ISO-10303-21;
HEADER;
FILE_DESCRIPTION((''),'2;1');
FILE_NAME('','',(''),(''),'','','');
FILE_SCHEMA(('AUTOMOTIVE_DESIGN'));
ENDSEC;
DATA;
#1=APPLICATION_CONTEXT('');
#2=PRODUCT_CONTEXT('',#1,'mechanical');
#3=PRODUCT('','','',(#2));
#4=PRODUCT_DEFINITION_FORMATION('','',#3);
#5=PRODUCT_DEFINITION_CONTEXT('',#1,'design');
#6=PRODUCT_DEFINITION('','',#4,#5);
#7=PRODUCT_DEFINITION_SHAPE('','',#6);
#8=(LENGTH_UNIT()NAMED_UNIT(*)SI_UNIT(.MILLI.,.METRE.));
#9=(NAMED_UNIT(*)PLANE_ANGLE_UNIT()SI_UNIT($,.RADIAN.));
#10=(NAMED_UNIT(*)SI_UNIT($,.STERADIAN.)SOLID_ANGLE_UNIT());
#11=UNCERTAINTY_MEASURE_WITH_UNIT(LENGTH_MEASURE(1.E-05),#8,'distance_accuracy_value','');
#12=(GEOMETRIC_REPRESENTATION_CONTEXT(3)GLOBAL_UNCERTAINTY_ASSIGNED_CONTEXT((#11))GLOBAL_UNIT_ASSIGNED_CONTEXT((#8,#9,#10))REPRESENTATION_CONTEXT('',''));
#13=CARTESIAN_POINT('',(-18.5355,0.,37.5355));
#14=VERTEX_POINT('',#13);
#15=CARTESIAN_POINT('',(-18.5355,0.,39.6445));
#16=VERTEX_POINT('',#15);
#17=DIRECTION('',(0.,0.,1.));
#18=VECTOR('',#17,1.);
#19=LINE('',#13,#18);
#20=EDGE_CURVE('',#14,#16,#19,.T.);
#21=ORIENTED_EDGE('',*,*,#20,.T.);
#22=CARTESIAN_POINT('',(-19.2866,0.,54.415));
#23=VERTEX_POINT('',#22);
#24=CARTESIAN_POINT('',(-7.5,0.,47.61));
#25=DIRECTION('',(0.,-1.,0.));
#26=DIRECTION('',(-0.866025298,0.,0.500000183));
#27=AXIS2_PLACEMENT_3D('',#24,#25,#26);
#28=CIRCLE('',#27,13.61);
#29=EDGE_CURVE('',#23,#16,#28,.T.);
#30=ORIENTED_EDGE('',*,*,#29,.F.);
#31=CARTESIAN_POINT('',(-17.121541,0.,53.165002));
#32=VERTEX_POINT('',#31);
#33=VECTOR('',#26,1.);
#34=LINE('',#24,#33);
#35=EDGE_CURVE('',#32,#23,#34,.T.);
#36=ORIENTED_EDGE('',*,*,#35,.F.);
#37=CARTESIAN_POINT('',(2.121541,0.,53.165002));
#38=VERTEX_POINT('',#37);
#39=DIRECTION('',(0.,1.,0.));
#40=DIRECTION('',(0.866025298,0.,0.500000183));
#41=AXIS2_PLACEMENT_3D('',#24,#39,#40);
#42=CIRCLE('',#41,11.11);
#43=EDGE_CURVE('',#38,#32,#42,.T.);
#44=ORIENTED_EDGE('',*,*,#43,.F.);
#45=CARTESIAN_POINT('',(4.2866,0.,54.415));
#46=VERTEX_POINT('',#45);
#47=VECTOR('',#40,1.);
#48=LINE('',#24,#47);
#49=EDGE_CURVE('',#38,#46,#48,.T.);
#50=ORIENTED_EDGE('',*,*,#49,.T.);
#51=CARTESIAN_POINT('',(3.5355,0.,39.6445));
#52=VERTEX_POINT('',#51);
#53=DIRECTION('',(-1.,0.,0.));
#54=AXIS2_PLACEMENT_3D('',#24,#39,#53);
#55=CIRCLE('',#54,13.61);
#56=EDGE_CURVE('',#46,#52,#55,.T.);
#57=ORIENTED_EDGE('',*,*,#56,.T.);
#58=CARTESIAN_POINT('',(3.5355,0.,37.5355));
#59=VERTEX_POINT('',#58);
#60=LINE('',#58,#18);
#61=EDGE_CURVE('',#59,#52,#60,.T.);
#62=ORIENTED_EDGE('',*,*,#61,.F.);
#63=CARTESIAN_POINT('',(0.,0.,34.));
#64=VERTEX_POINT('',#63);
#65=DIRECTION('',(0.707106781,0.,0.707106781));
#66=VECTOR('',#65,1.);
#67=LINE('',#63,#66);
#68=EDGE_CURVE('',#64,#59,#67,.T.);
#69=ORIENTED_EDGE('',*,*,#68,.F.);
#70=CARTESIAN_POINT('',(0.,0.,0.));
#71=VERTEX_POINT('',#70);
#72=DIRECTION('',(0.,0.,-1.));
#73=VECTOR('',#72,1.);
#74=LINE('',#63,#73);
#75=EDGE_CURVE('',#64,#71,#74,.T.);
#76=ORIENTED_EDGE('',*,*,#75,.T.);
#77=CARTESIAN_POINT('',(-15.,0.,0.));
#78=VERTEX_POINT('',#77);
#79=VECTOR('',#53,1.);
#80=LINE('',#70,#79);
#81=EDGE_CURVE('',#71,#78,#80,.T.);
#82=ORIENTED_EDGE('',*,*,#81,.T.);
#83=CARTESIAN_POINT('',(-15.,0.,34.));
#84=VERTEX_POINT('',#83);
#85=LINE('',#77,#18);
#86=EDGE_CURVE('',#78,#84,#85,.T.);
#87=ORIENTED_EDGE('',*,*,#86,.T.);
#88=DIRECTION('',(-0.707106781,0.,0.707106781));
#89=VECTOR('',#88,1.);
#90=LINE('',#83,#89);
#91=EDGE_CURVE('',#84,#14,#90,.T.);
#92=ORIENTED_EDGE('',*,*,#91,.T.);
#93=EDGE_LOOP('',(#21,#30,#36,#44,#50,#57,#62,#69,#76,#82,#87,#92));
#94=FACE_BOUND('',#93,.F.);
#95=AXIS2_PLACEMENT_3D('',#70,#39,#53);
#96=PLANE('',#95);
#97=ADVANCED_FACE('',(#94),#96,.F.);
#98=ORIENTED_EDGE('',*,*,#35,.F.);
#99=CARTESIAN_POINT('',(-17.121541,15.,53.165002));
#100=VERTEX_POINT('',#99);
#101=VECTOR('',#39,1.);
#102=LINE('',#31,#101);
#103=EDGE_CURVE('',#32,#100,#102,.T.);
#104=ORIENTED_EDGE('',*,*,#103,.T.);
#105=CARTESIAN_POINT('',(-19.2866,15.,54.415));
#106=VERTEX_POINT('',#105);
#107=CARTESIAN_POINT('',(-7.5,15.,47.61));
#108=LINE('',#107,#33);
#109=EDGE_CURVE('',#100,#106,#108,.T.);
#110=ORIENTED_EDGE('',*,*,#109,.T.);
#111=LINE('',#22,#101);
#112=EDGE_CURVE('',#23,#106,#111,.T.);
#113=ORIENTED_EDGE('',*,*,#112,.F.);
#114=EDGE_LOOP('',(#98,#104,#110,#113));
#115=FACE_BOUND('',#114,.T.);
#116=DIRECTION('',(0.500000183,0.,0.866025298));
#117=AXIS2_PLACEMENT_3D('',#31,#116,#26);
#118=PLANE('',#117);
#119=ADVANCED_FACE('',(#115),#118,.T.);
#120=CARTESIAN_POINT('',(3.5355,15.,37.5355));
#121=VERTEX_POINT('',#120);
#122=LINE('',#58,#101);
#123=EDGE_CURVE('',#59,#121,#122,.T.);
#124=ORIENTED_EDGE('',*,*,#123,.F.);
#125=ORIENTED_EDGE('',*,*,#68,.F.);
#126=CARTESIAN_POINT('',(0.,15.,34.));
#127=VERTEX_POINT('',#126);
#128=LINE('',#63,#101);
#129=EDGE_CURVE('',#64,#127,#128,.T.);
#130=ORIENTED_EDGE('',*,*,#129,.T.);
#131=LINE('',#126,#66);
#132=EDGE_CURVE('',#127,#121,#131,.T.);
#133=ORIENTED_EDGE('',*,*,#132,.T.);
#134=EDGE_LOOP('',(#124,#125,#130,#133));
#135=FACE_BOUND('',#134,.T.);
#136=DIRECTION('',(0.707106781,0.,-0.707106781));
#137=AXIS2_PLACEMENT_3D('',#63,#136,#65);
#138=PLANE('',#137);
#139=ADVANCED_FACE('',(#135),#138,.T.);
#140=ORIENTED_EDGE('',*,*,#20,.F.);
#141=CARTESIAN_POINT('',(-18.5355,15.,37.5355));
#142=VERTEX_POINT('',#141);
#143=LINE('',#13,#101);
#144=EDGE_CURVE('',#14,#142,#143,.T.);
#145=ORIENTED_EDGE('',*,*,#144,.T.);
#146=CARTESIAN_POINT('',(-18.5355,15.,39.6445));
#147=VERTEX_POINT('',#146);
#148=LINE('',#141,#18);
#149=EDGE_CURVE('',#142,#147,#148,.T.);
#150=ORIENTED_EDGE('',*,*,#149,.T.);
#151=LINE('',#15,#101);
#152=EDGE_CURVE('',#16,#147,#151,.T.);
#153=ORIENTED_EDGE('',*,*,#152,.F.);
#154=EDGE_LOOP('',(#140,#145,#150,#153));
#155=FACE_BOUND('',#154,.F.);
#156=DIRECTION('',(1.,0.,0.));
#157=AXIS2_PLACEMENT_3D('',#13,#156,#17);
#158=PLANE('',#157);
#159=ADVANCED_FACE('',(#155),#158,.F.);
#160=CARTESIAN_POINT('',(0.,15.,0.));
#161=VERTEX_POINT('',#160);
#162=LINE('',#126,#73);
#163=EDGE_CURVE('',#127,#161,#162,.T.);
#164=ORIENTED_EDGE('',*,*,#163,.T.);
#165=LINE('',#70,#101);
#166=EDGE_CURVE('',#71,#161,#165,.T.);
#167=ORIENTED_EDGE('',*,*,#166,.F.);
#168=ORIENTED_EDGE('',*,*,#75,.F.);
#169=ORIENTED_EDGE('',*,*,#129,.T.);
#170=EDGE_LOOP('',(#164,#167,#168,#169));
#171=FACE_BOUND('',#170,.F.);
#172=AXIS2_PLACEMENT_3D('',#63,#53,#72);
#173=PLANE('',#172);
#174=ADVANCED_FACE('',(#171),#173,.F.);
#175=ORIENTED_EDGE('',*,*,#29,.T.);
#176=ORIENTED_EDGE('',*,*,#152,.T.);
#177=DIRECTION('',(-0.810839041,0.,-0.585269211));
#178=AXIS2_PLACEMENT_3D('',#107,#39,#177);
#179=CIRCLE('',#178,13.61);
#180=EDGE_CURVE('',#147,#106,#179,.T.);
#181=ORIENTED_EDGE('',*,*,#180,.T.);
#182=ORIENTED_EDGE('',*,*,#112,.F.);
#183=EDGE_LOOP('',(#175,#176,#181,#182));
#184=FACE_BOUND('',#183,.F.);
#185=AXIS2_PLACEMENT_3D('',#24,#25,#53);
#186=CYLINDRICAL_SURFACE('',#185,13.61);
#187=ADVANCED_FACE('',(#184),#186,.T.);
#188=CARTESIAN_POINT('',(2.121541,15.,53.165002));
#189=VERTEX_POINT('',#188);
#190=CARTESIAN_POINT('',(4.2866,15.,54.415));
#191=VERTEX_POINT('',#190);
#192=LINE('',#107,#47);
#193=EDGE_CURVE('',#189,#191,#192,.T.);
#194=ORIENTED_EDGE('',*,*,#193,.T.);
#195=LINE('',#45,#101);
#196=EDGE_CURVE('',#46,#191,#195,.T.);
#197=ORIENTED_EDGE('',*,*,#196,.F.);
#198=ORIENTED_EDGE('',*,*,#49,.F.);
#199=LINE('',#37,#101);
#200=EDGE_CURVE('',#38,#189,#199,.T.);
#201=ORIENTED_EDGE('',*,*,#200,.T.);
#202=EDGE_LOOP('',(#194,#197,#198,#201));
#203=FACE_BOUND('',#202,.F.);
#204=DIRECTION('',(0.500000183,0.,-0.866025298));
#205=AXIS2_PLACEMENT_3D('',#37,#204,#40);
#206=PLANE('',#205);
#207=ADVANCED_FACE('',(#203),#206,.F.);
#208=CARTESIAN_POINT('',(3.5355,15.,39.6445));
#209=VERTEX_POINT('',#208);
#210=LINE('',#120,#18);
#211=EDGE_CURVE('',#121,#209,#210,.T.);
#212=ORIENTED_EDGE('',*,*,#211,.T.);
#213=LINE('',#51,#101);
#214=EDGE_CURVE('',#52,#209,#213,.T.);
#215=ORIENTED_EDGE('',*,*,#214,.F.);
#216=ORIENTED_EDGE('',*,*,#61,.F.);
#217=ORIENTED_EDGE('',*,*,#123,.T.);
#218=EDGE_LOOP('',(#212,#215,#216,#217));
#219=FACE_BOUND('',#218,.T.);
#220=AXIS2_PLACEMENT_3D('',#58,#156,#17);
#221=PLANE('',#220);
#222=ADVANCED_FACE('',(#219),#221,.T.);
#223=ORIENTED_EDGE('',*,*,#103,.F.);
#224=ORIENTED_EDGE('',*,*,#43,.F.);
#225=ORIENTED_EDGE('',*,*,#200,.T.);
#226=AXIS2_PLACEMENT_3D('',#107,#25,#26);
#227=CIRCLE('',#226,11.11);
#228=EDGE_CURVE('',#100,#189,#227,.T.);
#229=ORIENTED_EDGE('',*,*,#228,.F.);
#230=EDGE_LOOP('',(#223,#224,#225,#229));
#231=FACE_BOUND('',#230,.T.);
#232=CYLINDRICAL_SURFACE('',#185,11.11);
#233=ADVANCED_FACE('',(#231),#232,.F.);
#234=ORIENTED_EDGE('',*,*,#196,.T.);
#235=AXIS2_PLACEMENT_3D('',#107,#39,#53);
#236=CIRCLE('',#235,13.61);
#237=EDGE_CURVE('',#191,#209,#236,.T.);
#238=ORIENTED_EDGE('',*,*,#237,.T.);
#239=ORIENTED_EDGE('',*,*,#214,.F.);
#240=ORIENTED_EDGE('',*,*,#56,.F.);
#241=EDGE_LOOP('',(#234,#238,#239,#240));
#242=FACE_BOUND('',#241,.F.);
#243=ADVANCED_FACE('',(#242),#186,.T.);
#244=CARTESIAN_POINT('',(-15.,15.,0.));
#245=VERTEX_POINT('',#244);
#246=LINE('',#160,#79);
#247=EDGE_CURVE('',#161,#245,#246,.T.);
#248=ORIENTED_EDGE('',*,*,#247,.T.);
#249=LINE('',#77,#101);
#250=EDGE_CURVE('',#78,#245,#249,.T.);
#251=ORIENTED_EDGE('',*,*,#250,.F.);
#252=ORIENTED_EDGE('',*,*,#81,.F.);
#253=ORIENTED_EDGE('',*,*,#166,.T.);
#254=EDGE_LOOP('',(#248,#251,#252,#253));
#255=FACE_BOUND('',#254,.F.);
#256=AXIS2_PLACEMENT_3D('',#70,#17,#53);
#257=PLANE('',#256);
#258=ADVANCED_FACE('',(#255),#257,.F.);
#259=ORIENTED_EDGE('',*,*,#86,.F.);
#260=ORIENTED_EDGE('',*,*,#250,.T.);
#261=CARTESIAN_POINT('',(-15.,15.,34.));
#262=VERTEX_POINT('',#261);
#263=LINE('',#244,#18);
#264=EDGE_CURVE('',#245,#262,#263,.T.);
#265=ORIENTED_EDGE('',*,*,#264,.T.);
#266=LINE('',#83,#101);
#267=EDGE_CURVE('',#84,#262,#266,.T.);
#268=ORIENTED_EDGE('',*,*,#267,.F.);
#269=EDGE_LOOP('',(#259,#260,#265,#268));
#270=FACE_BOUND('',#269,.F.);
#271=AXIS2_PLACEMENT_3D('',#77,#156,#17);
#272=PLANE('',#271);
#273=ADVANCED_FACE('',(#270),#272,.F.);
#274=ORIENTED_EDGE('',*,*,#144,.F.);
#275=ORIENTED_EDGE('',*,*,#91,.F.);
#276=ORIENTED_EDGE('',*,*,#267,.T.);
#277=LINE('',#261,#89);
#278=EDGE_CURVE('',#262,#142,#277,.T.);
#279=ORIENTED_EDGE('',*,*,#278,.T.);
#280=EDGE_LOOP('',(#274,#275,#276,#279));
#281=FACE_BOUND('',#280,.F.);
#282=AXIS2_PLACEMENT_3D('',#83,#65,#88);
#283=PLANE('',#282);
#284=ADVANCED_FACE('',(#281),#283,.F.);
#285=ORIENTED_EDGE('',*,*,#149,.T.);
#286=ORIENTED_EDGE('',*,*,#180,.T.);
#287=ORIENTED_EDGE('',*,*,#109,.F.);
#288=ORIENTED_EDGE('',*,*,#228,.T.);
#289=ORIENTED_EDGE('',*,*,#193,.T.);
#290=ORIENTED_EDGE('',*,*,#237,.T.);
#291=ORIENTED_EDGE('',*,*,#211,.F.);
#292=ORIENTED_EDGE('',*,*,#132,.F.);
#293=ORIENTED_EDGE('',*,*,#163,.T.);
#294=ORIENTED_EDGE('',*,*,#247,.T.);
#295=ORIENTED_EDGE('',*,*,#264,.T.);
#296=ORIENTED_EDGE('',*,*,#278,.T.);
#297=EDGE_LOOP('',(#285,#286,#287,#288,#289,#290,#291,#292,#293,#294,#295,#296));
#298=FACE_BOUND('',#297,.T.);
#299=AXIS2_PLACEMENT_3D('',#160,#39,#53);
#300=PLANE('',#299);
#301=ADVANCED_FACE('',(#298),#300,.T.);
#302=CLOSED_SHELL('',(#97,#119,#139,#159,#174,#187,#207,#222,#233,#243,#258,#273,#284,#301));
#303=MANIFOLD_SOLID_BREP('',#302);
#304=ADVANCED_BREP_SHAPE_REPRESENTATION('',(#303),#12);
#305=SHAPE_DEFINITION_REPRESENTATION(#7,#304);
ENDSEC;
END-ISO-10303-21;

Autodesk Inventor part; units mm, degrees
ref_plane "YZ Plane" through (0, 0, 0) normal (1, 0, 0) x (0, 1, 0)
ref_plane "XZ Plane" through (0, 0, 0) normal (0, 1, 0) x (-1, 0, 0)
ref_plane "XY Plane" through (0, 0, 0) normal (0, 0, 1) x (1, 0, 0)
sketch "Sketch1" plane through (0, 0, 0) normal (0, 1, 0) x (-1, 0, 0)
  line L0 (0, 0) -> (15, 0)
  line L1 (15, 0) -> (15, 34)
  line L2 (15, 34) -> (0, 34)
  line L3 (0, 34) -> (0, 0)
  line L4 (7.5, 34) -> (7.5, 36.5)
  line L5 (7.5, 36.5) -> (7.5, 47.61)
  circle A0 centre (7.5, 47.61) radius 11.11
  circle A1 centre (7.5, 47.61) radius 13.61
  line L6 (7.5, 47.61) -> (19.2866, 54.415)
  line L7 (7.5, 47.61) -> (21.11, 47.61) construction
  line L8 (7.5, 47.61) -> (-4.2866, 54.415)
  line L9 (7.5, 47.61) -> (21.11, 47.61) construction
  line L10 (15, 34) -> (18.5355, 37.5355)
  line L11 (15, 34) -> (20, 34) construction
  line L12 (18.5355, 37.5355) -> (18.5355, 39.6445)
  line L13 (0, 34) -> (-3.5355, 37.5355)
  line L14 (-3.5355, 37.5355) -> (-3.5355, 39.6445)
  point P0 (17.1215, 53.165)
  point P1 (-2.1215, 53.165)
  dimension "d0" = 15
  dimension "d1" = 34
  dimension "d2" = 2.5
  dimension "d3" = 11.11
  dimension "d4" = 30
  dimension "d5" = 150
  dimension "d6" = 5
  dimension "d7" = 45
extrude "Extrusion1" add sketch "Sketch1" along normal blind 15 contours L3 L2 L1 L0 | L13 L14 A1 L2 | L2 A1 L12 L10 | A1 L8 A0 L4 | L4 A0 L6 A1
equation "\"d8\" = d0"
properties part number "motor holder"
